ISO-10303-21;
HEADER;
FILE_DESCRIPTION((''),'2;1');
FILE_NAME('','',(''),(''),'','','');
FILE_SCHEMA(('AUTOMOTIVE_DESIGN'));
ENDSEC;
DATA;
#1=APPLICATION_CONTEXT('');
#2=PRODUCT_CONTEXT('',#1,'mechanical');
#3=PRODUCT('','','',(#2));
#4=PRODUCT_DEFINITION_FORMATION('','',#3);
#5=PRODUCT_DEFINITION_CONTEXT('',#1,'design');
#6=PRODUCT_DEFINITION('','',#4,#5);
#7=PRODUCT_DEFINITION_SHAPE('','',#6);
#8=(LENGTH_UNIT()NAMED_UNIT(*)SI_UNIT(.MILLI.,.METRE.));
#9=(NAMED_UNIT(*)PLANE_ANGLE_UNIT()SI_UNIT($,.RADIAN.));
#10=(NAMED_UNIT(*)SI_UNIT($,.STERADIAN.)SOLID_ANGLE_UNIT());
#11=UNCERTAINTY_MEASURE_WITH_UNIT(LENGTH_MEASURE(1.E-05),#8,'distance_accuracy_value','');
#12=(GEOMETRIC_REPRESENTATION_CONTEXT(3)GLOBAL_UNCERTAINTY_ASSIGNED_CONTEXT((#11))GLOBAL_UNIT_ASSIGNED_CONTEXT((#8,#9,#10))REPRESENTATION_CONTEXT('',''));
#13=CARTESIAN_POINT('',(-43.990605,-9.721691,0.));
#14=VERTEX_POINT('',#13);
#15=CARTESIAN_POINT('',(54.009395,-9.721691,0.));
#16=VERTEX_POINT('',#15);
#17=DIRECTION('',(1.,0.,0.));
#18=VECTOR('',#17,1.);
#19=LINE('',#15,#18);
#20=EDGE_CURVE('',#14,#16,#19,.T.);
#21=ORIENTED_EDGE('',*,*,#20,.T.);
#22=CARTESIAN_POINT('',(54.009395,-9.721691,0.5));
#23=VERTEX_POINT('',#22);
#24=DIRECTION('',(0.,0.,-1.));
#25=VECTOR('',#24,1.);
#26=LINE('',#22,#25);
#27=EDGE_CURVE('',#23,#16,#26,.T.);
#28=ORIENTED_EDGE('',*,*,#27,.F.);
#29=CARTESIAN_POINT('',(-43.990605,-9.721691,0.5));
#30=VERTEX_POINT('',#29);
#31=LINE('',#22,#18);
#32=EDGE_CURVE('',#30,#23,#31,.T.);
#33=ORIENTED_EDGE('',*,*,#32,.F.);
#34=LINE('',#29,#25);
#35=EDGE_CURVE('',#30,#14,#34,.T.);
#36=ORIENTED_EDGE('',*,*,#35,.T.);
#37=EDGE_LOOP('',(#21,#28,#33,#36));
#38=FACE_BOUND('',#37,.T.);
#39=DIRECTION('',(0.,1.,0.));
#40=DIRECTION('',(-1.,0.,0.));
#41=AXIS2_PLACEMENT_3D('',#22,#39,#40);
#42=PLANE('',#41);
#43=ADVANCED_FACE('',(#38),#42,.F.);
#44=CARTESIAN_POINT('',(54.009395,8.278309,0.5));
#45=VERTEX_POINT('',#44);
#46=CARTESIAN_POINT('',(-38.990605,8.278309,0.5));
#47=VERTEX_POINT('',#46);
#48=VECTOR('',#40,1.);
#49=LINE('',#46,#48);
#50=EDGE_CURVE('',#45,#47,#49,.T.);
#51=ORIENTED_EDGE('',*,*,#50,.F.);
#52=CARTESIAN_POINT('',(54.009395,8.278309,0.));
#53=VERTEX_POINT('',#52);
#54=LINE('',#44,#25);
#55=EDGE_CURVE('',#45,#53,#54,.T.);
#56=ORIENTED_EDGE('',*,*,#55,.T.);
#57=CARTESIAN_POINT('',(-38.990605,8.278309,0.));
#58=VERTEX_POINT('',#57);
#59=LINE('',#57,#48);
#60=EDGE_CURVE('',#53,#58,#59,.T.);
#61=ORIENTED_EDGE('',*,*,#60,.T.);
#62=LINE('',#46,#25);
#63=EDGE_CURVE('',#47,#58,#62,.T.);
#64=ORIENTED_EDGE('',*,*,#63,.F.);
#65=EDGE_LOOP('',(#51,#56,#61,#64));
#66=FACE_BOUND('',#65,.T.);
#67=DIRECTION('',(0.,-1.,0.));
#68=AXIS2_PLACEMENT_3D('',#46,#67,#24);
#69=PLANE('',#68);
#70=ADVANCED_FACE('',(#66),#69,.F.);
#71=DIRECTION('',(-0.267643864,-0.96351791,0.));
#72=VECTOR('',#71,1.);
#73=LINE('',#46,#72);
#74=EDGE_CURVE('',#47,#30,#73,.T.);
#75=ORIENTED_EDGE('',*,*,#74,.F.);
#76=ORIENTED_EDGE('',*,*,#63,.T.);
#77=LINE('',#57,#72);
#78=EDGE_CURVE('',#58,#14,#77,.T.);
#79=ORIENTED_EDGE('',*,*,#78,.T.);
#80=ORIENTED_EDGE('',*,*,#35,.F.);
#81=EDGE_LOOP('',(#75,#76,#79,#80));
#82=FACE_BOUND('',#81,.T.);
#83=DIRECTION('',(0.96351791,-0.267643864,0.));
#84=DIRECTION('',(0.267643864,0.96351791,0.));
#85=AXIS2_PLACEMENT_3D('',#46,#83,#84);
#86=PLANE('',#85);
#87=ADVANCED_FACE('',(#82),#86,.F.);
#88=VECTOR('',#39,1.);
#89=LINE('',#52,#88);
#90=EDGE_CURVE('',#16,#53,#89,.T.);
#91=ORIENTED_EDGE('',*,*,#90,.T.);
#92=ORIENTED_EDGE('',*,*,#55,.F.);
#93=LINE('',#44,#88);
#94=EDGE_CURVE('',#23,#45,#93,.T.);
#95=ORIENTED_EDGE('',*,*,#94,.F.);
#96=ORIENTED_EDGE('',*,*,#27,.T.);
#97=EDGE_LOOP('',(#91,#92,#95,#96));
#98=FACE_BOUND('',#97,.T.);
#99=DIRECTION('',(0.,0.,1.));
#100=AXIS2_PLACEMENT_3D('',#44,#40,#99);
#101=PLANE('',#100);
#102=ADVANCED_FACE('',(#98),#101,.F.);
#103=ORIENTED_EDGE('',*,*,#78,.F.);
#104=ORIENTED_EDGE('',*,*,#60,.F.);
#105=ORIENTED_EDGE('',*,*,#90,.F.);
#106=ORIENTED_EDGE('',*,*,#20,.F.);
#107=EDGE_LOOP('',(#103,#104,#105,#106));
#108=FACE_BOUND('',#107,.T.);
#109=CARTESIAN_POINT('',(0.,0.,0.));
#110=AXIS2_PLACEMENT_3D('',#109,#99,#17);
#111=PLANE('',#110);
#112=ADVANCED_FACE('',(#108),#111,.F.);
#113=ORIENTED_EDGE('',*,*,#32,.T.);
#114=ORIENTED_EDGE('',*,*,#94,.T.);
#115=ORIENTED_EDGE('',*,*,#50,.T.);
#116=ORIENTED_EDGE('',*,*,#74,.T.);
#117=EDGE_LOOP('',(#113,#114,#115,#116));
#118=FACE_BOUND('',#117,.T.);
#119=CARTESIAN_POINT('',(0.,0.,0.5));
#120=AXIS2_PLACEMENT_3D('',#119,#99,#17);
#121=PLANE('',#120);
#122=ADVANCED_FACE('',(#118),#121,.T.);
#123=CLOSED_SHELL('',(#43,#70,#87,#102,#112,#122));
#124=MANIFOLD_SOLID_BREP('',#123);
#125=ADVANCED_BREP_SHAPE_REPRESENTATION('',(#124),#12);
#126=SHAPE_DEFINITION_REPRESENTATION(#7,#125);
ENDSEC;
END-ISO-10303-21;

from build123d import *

# Parameters (mm, degrees)
SALIENTE_EXTRUIR1_DEPTH = 0.5


with BuildPart() as part:
    # Croquis1 → Saliente-Extruir1 (new body)
    with BuildSketch(Plane.XY):
        Polygon((-38.990604717, 8.278308849), (54.009395283, 8.278308849), (54.009395283, -9.721691151), (-43.990604717, -9.721691151), align=None)
    extrude(amount=SALIENTE_EXTRUIR1_DEPTH)


solid = part.part
